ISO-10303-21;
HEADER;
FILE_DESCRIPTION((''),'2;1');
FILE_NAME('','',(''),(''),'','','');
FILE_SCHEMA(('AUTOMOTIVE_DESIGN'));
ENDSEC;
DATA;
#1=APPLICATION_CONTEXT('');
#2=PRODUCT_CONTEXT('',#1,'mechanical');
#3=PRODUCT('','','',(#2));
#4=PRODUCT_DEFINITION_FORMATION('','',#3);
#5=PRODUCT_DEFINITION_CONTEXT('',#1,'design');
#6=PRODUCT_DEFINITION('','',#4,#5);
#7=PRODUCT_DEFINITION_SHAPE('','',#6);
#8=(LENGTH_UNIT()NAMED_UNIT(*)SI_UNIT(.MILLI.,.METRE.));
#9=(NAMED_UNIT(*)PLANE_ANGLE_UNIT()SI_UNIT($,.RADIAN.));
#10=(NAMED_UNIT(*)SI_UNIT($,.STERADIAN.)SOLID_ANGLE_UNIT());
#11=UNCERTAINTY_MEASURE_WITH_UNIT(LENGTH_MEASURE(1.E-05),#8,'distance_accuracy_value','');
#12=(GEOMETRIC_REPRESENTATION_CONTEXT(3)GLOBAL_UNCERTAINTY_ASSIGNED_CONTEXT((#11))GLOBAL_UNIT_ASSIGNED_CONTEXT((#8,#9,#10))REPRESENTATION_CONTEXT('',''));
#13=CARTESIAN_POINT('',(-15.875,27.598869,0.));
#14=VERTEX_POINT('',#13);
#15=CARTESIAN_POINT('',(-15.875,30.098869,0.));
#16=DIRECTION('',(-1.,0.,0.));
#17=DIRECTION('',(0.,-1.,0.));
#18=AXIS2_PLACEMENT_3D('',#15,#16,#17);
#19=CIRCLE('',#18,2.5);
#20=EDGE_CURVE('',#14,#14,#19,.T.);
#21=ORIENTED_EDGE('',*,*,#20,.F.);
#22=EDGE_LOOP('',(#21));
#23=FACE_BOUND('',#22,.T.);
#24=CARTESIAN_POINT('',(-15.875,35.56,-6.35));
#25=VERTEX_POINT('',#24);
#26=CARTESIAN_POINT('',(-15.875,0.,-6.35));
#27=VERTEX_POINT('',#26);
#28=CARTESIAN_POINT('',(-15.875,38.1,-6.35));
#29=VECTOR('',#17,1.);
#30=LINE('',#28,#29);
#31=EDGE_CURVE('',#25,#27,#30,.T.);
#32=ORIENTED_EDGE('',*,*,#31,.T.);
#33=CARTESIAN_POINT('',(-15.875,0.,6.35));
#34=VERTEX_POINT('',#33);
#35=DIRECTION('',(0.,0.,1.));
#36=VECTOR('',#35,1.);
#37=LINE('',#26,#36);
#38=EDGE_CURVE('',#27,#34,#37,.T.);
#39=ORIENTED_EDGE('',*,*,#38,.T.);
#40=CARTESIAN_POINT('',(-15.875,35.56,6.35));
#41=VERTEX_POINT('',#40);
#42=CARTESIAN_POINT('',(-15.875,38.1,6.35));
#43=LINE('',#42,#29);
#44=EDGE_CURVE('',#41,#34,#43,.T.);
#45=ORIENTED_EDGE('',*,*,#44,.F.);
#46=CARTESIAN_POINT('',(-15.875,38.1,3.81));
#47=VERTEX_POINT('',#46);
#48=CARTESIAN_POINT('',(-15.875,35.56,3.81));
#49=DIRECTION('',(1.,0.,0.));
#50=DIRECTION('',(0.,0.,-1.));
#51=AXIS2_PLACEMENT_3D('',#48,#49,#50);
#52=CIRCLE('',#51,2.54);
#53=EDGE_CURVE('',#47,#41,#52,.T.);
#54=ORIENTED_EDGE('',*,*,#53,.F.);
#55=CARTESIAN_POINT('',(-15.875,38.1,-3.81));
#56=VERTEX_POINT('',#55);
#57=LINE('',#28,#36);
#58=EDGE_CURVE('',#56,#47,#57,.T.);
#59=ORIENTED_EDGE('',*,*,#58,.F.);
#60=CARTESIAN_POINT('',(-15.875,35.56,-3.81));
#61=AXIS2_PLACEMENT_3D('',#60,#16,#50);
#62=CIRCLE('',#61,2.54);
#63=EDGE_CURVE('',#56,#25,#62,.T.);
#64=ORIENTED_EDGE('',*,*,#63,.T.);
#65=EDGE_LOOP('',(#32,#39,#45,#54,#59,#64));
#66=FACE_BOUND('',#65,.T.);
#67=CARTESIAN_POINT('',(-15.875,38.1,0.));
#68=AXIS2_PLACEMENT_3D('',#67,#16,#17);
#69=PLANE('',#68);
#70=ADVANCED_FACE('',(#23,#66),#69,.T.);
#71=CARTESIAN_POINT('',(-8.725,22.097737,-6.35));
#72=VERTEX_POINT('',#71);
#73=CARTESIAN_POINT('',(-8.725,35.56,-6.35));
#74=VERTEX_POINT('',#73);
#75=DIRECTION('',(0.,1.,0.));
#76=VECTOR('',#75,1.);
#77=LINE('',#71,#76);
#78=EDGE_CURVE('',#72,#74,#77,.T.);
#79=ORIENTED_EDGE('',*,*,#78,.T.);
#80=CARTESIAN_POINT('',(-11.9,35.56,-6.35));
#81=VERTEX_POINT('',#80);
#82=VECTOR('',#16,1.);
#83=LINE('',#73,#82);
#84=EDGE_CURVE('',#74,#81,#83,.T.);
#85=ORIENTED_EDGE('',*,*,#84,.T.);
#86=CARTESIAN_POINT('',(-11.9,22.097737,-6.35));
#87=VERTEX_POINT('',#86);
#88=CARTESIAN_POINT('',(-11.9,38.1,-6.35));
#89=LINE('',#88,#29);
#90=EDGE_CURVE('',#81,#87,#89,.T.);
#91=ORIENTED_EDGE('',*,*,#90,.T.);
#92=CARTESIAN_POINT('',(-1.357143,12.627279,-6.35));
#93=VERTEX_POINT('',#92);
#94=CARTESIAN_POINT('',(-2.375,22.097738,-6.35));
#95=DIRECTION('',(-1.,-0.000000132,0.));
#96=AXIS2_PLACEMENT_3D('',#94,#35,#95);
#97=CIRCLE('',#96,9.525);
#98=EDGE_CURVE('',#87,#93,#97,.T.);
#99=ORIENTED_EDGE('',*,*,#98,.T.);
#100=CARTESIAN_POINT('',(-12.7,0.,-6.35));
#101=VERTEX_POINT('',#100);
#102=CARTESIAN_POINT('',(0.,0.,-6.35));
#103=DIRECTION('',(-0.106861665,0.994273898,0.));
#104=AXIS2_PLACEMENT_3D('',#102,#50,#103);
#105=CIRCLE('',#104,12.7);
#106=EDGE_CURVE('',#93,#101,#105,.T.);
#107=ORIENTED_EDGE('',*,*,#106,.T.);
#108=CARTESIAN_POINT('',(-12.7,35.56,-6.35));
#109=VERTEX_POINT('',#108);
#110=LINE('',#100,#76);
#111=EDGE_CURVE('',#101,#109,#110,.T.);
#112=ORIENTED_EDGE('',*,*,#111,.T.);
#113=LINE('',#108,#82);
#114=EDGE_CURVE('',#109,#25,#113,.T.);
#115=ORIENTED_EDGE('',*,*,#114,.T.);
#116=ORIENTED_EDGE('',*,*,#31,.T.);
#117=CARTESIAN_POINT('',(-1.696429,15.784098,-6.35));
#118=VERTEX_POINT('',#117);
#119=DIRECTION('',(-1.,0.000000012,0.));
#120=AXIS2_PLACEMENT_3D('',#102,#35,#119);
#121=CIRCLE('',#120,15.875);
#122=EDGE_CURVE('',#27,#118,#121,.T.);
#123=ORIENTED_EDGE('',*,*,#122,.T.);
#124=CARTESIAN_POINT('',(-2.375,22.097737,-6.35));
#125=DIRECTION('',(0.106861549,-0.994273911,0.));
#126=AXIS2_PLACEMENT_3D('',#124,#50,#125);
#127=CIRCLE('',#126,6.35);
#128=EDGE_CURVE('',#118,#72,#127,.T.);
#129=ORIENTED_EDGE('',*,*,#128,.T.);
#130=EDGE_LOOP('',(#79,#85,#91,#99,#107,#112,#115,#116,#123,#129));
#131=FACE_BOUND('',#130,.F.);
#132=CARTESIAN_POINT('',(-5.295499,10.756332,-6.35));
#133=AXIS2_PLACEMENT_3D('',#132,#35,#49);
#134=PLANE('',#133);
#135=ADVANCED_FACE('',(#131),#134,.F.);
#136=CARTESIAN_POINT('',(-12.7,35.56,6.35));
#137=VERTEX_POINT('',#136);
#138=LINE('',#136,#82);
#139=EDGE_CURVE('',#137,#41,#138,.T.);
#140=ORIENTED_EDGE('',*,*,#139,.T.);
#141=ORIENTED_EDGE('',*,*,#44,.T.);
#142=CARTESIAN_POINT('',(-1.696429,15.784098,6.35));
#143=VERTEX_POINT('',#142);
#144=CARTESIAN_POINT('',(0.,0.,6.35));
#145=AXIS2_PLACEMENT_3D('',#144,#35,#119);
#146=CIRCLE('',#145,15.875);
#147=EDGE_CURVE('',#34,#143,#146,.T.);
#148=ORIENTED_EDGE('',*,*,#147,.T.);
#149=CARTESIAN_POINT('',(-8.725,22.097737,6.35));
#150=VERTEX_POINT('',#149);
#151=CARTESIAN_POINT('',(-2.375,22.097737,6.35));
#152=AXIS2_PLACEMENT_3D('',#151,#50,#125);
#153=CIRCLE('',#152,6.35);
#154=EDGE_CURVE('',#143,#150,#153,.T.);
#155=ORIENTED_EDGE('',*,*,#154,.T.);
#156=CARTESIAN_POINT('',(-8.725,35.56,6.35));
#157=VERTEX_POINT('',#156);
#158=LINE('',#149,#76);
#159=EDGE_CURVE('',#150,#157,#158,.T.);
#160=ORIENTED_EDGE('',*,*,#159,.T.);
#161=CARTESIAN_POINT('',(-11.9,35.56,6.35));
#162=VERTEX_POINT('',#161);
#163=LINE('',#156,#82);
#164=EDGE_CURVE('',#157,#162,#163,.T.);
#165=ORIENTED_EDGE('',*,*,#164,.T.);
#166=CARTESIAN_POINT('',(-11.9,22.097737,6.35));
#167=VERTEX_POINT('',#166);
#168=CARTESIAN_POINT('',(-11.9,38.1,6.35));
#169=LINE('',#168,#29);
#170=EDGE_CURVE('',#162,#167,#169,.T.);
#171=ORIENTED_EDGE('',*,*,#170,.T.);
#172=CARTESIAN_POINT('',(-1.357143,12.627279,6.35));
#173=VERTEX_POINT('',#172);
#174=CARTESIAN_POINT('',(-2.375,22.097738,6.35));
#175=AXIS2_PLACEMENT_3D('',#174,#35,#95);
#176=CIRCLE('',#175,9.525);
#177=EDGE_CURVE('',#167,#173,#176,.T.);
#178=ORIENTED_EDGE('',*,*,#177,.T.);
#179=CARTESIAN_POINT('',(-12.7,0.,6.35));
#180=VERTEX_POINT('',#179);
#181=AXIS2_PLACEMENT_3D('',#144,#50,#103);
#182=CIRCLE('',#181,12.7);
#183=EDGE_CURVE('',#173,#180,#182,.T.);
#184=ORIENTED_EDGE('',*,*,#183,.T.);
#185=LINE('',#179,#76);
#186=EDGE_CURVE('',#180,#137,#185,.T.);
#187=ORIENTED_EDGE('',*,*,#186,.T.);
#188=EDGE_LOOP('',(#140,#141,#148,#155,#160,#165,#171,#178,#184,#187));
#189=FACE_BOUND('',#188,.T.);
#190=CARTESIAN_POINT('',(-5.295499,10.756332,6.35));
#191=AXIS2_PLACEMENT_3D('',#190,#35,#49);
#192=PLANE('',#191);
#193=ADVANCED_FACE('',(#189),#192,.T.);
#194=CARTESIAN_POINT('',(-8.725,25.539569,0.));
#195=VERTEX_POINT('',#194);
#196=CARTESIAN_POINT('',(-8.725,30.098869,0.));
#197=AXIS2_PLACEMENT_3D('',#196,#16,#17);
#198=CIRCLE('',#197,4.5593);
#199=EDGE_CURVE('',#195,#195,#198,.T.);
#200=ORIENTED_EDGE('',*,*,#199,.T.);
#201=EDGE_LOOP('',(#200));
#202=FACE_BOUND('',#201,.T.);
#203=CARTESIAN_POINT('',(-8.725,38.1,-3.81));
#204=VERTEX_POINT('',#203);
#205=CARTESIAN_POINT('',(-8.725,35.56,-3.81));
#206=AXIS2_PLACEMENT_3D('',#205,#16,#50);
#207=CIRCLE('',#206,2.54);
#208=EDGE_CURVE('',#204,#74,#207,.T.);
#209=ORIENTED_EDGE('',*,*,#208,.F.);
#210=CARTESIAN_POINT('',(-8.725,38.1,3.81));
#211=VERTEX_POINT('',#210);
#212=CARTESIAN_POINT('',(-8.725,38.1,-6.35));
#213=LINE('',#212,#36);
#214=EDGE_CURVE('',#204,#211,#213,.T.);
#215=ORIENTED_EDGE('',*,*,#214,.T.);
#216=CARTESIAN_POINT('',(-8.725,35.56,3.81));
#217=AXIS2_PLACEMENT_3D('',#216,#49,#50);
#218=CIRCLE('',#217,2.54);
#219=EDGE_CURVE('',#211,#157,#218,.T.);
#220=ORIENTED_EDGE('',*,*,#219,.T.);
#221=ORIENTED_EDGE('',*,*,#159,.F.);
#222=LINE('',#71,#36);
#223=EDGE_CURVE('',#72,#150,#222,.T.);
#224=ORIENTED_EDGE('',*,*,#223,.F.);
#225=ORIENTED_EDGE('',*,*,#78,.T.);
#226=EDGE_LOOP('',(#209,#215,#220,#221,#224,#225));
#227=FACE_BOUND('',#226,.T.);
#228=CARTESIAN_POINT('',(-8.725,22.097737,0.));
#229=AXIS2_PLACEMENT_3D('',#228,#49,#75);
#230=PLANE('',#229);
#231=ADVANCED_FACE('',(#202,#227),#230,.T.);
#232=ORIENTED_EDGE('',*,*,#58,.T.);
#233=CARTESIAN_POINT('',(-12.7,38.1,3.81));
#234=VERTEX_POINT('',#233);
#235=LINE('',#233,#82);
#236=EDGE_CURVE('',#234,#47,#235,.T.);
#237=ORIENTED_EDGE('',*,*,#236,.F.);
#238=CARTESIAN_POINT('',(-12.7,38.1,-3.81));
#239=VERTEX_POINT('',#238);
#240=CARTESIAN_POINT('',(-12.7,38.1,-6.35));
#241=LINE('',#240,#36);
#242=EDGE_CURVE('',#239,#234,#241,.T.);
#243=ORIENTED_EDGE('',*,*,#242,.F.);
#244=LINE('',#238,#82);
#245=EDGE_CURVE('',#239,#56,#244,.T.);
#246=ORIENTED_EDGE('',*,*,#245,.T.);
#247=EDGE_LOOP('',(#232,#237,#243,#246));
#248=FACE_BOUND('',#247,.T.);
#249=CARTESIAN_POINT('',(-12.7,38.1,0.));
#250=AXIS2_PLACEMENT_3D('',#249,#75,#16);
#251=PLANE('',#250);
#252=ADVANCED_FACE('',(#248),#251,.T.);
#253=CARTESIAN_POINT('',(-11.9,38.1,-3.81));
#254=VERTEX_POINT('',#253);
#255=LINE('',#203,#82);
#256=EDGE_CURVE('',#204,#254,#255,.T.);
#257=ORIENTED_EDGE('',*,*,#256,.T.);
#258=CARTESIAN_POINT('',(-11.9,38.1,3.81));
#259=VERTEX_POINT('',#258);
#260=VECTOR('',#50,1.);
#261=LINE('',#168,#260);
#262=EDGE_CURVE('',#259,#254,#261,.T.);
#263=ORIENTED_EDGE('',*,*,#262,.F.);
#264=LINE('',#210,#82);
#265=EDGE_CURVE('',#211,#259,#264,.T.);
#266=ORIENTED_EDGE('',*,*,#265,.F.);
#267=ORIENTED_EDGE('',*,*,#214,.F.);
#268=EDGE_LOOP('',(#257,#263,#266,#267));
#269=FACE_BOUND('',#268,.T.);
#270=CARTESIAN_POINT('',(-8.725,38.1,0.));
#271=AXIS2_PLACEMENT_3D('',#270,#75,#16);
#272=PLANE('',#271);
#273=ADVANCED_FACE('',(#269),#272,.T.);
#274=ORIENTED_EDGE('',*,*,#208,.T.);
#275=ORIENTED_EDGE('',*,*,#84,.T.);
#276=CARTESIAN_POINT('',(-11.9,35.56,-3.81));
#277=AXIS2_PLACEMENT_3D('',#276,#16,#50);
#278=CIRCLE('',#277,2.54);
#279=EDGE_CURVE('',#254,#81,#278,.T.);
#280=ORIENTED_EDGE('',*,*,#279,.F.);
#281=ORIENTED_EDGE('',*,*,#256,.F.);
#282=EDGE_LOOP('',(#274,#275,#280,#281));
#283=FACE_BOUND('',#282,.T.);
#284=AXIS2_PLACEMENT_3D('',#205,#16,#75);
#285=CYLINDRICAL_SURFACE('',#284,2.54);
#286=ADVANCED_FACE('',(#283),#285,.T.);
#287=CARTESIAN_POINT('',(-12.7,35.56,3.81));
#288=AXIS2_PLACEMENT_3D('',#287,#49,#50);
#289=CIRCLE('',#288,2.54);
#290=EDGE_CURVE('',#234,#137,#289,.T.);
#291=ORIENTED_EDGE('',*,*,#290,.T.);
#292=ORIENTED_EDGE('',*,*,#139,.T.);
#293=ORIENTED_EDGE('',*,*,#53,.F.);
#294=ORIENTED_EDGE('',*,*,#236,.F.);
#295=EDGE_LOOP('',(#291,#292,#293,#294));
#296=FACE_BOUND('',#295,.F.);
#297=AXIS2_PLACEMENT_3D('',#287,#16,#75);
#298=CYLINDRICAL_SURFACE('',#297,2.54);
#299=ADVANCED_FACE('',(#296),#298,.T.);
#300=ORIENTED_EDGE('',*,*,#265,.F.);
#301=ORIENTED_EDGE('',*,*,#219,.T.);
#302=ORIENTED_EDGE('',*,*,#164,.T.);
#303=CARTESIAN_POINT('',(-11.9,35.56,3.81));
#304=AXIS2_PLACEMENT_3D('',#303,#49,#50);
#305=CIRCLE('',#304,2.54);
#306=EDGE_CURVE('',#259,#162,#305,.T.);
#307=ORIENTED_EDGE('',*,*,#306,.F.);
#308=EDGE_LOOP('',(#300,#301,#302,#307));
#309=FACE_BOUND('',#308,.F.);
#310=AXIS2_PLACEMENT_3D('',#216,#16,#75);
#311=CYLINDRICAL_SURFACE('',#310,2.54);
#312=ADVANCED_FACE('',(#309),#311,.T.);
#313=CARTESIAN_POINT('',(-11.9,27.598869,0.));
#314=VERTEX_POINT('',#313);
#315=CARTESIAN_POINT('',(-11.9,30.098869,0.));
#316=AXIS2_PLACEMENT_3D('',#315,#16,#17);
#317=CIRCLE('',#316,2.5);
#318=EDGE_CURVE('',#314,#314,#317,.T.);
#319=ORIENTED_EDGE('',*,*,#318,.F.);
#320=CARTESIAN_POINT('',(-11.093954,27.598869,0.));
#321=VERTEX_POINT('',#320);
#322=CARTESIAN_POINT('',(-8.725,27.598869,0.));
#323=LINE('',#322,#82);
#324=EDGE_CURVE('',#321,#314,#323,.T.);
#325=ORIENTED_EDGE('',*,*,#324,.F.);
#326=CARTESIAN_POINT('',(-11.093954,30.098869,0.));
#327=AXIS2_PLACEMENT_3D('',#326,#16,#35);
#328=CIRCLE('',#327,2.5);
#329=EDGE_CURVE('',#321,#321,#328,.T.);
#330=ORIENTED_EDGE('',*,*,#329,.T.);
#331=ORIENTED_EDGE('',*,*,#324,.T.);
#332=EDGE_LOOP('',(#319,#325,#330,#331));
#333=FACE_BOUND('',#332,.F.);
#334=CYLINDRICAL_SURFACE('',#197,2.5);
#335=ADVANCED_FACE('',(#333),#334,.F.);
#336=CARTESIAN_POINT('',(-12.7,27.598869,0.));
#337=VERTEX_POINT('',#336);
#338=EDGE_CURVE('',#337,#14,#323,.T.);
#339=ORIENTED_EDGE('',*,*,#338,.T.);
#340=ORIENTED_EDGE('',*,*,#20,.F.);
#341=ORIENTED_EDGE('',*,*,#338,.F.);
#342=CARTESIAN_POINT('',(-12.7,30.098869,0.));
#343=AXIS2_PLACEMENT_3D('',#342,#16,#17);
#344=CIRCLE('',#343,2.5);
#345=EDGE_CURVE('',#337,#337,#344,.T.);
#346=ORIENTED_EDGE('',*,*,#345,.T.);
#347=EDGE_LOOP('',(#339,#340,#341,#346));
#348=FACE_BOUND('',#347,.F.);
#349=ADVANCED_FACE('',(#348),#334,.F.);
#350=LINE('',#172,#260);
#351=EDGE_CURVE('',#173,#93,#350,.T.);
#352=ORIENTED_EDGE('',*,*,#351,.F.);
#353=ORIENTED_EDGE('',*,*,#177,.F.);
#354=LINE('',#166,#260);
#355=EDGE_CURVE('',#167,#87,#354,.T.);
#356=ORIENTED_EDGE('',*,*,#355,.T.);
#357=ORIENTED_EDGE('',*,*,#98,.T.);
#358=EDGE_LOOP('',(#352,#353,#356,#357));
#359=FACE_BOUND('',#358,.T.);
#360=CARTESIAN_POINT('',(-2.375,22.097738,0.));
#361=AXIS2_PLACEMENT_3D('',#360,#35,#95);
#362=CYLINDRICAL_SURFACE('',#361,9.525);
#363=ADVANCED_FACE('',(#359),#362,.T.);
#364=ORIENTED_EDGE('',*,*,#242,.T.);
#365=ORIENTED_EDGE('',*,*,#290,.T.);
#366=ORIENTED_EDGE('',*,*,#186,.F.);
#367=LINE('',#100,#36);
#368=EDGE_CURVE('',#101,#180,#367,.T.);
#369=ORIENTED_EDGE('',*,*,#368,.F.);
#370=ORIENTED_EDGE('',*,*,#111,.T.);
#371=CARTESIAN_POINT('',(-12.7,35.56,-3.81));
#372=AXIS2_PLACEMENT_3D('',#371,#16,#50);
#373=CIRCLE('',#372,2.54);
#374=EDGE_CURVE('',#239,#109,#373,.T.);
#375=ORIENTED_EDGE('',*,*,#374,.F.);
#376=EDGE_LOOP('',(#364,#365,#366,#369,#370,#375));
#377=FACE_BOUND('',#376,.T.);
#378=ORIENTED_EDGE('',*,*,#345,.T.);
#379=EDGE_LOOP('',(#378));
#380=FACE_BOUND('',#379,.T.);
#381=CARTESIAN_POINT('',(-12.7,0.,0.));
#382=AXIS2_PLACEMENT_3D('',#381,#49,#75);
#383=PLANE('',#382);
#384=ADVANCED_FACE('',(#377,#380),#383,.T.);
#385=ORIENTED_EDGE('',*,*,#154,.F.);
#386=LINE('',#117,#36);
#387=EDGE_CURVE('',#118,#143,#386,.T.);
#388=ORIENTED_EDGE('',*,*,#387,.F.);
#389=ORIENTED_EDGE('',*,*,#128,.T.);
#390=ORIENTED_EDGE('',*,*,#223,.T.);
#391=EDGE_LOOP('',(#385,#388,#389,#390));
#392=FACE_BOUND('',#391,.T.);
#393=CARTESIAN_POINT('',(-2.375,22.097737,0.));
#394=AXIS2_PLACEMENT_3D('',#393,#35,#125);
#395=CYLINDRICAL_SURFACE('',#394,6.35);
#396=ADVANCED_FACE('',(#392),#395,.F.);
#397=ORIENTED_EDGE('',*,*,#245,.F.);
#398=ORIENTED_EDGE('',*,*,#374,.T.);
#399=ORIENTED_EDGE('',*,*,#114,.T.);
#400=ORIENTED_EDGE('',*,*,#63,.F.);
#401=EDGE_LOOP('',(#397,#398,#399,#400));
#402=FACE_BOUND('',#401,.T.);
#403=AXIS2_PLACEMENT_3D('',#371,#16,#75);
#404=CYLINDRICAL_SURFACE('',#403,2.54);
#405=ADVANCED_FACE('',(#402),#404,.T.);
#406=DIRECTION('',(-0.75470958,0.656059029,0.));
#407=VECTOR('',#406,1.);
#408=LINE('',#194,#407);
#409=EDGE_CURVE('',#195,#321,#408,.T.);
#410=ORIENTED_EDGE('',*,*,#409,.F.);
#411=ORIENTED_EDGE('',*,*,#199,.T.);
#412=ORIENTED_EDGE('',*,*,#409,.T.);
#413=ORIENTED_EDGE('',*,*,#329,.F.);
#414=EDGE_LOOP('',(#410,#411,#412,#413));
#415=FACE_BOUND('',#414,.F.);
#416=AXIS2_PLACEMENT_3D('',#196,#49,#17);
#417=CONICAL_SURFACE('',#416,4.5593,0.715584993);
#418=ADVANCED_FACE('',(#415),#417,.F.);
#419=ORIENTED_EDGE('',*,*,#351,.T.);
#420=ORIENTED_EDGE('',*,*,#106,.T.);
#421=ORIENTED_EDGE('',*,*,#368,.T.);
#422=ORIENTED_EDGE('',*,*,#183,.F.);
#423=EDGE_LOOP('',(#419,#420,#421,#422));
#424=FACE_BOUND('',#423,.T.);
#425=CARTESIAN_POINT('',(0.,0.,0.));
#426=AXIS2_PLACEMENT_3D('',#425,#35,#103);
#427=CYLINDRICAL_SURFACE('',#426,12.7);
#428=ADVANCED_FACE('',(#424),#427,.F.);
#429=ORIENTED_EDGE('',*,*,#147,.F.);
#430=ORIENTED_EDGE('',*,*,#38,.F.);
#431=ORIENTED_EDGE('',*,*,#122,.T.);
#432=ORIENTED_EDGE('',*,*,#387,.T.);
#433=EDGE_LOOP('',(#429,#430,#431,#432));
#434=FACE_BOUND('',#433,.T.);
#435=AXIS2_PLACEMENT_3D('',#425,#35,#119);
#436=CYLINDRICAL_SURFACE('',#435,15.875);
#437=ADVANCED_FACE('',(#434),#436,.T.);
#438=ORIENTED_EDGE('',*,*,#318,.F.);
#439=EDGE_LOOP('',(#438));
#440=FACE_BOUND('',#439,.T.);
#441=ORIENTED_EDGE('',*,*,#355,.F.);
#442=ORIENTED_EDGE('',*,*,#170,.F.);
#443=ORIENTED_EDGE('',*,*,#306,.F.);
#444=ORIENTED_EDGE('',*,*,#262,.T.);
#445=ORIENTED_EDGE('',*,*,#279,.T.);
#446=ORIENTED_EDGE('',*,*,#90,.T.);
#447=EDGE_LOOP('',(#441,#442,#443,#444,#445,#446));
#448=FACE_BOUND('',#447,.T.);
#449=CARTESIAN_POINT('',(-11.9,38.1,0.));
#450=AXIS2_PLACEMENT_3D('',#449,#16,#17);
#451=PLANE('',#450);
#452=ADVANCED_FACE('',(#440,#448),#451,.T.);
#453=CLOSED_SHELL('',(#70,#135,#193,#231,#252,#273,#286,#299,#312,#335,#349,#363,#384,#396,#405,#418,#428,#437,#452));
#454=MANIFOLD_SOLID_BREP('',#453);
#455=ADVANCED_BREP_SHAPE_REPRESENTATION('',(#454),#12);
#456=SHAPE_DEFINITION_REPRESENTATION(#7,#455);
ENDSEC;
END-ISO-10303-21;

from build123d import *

# Parameters (mm, degrees)
F1_DEPTH       = 6.35
F3_D           = 5
F3_CSINK_D     = 9.1186
F3_CSINK_ANGLE = 82
F4_R           = 2.54


with BuildPart() as f1:
    # F0 (on Top) → F1 (new body, symmetric)
    with BuildSketch(Plane.XY):
        with BuildLine():
            ThreePointArc((-1.357143, 12.627279), (9.447902, -8.486881), (-12.7, 0))
            Line((-12.7, 0), (-12.7, 38.1))
            Line((-12.7, 38.1), (-15.875, 38.1))
            Line((-15.875, 38.1), (-15.875, 0))
            ThreePointArc((-15.875, 0), (11.809878, -10.608601), (-1.696429, 15.784098))
            ThreePointArc((-1.696429, 15.784098), (-6.61844, 17.373786), (-8.725, 22.097737))
            Line((-8.725, 22.097737), (-8.725, 38.1))
            Line((-8.725, 38.1), (-11.9, 38.1))
            Line((-11.9, 38.1), (-11.9, 22.097737))
            ThreePointArc((-11.9, 22.097737), (-8.74016, 15.011811), (-1.357143, 12.627279))
        make_face()
    extrude(amount=F1_DEPTH, both=True)

    # F3 (through all)
    with Locations(Plane.YZ.offset(-8.725)):
        with Locations((30.098869, 0)):
            CounterSinkHole(F3_D / 2, F3_CSINK_D / 2, counter_sink_angle=F3_CSINK_ANGLE)

    # F4
    f4_edges = [f1.edges().sort_by_distance(p)[0] for p in [
        (-14.2875, 38.1, 6.35),
        (-10.3125, 38.1, -6.35),
        (-14.2875, 38.1, -6.35),
        (-10.3125, 38.1, 6.35),
    ]]
    fillet(f4_edges, radius=F4_R)


solid = f1.part
